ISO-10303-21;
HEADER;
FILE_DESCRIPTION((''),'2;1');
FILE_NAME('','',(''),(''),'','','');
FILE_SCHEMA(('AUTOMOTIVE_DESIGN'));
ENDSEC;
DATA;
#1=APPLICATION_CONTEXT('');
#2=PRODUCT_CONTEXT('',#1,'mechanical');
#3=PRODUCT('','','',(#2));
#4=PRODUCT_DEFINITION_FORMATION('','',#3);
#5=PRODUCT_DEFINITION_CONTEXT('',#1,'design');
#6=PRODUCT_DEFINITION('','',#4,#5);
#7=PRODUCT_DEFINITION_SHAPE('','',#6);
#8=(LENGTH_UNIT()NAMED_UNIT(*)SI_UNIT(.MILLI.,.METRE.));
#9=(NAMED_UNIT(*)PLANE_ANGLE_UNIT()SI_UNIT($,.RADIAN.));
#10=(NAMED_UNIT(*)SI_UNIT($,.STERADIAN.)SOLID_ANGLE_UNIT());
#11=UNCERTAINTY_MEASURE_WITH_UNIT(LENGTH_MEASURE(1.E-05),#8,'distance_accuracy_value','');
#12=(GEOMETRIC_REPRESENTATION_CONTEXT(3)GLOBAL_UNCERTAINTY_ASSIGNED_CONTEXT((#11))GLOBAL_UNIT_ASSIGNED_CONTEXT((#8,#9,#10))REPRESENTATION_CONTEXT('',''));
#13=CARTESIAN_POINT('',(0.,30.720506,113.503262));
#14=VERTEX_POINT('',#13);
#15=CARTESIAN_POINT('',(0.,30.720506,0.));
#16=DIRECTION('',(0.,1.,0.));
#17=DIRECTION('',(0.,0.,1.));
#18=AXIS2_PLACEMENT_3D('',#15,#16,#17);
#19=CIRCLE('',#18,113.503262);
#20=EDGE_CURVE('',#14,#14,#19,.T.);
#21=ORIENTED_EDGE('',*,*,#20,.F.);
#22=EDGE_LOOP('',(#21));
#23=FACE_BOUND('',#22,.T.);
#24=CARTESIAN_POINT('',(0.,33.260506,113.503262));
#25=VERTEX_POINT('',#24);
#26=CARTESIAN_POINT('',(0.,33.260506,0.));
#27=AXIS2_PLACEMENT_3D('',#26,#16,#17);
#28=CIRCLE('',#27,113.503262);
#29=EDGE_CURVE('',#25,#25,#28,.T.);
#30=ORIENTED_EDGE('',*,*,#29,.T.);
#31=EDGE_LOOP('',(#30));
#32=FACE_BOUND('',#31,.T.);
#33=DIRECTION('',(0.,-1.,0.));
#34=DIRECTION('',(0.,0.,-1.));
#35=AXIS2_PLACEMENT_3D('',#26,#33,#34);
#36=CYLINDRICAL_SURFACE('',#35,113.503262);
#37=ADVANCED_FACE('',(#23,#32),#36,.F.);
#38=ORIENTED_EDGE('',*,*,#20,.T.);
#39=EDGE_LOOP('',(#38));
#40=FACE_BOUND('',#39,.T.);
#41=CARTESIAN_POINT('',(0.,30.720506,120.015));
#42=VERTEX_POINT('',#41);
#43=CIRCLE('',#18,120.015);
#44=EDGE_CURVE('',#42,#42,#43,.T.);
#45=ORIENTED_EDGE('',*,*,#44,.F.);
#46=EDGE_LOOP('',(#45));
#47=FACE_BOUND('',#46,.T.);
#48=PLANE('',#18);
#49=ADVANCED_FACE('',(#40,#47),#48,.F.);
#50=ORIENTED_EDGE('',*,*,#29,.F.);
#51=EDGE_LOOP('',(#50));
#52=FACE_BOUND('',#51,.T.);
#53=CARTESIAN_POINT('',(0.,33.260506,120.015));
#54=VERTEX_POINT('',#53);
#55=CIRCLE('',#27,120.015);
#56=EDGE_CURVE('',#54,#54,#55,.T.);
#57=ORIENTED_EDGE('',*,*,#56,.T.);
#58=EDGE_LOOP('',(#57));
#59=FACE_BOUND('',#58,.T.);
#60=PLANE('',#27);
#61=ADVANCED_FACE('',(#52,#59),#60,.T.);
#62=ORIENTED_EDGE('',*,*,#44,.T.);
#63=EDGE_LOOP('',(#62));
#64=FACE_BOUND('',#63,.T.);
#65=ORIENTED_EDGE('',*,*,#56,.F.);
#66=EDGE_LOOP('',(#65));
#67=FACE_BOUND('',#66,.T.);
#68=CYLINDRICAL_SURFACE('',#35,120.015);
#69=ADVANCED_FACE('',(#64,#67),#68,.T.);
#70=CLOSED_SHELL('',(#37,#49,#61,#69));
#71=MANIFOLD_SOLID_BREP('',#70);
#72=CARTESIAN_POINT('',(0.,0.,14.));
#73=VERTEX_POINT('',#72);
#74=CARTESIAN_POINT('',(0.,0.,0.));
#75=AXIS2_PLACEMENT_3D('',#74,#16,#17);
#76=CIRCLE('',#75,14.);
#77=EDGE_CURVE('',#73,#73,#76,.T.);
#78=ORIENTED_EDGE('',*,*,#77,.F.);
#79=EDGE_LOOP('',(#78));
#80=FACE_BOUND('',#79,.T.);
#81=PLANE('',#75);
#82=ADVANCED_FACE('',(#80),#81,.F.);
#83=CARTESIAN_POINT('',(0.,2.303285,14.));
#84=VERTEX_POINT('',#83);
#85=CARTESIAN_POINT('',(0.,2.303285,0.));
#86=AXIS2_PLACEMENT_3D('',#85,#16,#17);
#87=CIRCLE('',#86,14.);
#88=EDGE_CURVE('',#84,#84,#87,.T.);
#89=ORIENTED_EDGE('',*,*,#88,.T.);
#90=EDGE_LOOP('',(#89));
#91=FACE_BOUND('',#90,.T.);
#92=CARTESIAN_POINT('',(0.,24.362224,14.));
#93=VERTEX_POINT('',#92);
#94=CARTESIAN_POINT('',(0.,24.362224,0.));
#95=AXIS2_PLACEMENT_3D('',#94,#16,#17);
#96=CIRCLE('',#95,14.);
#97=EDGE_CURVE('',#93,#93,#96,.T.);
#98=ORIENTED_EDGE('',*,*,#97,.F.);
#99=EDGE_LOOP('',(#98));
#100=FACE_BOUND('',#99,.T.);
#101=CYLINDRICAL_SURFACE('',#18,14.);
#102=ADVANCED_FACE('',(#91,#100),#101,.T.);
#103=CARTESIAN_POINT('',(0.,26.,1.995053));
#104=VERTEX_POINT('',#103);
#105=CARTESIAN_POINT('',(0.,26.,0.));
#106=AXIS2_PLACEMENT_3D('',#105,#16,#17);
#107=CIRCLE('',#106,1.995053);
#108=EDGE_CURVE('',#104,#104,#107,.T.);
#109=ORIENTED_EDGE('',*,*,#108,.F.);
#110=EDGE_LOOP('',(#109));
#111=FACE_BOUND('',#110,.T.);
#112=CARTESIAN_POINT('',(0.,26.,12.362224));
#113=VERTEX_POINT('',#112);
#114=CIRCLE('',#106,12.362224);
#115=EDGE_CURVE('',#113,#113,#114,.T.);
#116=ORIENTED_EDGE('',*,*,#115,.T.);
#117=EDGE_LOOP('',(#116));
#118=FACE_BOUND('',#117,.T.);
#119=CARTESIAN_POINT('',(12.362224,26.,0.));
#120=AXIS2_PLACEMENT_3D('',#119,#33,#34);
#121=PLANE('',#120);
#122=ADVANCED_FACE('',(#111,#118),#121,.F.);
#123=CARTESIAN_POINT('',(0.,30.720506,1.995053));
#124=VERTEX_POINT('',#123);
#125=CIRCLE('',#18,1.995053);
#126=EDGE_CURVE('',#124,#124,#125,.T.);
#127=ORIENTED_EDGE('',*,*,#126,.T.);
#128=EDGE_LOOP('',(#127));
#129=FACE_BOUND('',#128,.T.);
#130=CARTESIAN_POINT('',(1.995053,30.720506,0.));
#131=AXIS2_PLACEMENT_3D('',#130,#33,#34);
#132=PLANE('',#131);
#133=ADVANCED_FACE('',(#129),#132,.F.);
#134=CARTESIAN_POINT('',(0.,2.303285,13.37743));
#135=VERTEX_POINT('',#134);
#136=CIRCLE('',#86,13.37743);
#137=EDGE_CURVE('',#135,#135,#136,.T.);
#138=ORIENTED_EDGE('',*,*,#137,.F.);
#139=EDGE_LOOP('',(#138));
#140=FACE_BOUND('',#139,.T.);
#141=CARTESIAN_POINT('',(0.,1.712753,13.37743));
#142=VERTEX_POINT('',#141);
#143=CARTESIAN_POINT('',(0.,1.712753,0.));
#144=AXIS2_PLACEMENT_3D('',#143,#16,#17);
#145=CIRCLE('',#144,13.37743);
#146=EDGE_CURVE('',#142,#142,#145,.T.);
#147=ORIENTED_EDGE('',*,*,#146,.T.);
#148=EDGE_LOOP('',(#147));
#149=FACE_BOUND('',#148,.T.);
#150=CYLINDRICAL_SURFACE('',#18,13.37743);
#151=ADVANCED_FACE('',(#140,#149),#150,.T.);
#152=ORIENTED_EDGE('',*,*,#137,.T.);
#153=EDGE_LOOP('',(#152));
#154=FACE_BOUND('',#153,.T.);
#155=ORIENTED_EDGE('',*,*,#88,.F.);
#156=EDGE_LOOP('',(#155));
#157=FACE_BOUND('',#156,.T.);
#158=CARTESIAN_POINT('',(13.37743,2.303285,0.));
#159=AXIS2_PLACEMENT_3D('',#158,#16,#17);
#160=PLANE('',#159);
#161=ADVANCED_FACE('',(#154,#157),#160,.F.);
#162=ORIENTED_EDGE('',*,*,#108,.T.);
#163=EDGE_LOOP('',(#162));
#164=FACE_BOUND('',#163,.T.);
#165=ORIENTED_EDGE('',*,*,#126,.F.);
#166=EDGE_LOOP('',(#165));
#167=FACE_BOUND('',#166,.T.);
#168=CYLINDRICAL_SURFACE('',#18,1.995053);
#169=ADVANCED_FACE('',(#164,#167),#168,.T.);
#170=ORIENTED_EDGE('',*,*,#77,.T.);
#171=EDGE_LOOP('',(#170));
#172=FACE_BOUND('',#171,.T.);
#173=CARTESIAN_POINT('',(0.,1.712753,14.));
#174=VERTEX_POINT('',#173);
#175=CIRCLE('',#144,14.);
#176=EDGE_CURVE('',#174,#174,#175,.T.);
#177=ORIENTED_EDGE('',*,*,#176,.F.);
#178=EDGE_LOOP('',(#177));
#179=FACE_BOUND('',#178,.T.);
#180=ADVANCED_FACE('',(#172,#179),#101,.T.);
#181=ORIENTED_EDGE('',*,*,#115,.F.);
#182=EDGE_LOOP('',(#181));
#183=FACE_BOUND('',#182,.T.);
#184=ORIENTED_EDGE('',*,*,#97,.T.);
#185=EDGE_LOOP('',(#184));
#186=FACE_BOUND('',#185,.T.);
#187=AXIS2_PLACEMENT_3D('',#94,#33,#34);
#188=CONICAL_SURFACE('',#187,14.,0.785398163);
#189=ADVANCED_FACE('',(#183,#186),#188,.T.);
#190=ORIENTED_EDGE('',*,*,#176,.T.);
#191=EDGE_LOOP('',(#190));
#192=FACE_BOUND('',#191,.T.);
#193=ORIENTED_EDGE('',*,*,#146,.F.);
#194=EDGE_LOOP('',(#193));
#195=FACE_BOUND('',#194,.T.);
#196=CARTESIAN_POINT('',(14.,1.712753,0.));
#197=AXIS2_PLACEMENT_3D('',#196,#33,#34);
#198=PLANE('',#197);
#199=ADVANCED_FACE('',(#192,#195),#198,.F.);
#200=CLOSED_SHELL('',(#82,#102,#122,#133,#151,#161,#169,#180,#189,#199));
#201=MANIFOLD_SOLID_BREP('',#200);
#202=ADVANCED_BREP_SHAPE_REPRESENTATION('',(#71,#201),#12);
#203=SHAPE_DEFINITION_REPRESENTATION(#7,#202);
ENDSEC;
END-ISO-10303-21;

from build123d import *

# Parameters (mm, degrees)
SKETCH2_R           = 120.015
SKETCH2_R_2         = 113.503262111
BOSS_EXTRUDE1_DEPTH = 2.54


with BuildPart() as part:
    # Sketch1 → Revolve1 (revolve)
    with BuildSketch(Plane.XY):
        Polygon((0, 0), (14, 0), (14, 1.712753025), (13.377430193, 1.712753025), (13.377430193, 2.303284787), (14, 2.303284787), (14, 24.362224429), (12.362224429, 26), (1.99505291, 26), (1.99505291, 30.72050638), (0, 30.72050638), align=None)
    revolve(axis=Axis((0, 30.72050638, 0), (0, -1, 0)))


with BuildPart() as body_2:
    # Sketch2 → Boss-Extrude1 (new body)
    with BuildSketch(Plane(origin=(0, 30.72050638, 0), x_dir=(1, 0, 0), z_dir=(0, 1, 0))):
        Circle(SKETCH2_R)
        Circle(SKETCH2_R_2, mode=Mode.SUBTRACT)
    extrude(amount=BOSS_EXTRUDE1_DEPTH)


solid = Compound([part.part, body_2.part])
